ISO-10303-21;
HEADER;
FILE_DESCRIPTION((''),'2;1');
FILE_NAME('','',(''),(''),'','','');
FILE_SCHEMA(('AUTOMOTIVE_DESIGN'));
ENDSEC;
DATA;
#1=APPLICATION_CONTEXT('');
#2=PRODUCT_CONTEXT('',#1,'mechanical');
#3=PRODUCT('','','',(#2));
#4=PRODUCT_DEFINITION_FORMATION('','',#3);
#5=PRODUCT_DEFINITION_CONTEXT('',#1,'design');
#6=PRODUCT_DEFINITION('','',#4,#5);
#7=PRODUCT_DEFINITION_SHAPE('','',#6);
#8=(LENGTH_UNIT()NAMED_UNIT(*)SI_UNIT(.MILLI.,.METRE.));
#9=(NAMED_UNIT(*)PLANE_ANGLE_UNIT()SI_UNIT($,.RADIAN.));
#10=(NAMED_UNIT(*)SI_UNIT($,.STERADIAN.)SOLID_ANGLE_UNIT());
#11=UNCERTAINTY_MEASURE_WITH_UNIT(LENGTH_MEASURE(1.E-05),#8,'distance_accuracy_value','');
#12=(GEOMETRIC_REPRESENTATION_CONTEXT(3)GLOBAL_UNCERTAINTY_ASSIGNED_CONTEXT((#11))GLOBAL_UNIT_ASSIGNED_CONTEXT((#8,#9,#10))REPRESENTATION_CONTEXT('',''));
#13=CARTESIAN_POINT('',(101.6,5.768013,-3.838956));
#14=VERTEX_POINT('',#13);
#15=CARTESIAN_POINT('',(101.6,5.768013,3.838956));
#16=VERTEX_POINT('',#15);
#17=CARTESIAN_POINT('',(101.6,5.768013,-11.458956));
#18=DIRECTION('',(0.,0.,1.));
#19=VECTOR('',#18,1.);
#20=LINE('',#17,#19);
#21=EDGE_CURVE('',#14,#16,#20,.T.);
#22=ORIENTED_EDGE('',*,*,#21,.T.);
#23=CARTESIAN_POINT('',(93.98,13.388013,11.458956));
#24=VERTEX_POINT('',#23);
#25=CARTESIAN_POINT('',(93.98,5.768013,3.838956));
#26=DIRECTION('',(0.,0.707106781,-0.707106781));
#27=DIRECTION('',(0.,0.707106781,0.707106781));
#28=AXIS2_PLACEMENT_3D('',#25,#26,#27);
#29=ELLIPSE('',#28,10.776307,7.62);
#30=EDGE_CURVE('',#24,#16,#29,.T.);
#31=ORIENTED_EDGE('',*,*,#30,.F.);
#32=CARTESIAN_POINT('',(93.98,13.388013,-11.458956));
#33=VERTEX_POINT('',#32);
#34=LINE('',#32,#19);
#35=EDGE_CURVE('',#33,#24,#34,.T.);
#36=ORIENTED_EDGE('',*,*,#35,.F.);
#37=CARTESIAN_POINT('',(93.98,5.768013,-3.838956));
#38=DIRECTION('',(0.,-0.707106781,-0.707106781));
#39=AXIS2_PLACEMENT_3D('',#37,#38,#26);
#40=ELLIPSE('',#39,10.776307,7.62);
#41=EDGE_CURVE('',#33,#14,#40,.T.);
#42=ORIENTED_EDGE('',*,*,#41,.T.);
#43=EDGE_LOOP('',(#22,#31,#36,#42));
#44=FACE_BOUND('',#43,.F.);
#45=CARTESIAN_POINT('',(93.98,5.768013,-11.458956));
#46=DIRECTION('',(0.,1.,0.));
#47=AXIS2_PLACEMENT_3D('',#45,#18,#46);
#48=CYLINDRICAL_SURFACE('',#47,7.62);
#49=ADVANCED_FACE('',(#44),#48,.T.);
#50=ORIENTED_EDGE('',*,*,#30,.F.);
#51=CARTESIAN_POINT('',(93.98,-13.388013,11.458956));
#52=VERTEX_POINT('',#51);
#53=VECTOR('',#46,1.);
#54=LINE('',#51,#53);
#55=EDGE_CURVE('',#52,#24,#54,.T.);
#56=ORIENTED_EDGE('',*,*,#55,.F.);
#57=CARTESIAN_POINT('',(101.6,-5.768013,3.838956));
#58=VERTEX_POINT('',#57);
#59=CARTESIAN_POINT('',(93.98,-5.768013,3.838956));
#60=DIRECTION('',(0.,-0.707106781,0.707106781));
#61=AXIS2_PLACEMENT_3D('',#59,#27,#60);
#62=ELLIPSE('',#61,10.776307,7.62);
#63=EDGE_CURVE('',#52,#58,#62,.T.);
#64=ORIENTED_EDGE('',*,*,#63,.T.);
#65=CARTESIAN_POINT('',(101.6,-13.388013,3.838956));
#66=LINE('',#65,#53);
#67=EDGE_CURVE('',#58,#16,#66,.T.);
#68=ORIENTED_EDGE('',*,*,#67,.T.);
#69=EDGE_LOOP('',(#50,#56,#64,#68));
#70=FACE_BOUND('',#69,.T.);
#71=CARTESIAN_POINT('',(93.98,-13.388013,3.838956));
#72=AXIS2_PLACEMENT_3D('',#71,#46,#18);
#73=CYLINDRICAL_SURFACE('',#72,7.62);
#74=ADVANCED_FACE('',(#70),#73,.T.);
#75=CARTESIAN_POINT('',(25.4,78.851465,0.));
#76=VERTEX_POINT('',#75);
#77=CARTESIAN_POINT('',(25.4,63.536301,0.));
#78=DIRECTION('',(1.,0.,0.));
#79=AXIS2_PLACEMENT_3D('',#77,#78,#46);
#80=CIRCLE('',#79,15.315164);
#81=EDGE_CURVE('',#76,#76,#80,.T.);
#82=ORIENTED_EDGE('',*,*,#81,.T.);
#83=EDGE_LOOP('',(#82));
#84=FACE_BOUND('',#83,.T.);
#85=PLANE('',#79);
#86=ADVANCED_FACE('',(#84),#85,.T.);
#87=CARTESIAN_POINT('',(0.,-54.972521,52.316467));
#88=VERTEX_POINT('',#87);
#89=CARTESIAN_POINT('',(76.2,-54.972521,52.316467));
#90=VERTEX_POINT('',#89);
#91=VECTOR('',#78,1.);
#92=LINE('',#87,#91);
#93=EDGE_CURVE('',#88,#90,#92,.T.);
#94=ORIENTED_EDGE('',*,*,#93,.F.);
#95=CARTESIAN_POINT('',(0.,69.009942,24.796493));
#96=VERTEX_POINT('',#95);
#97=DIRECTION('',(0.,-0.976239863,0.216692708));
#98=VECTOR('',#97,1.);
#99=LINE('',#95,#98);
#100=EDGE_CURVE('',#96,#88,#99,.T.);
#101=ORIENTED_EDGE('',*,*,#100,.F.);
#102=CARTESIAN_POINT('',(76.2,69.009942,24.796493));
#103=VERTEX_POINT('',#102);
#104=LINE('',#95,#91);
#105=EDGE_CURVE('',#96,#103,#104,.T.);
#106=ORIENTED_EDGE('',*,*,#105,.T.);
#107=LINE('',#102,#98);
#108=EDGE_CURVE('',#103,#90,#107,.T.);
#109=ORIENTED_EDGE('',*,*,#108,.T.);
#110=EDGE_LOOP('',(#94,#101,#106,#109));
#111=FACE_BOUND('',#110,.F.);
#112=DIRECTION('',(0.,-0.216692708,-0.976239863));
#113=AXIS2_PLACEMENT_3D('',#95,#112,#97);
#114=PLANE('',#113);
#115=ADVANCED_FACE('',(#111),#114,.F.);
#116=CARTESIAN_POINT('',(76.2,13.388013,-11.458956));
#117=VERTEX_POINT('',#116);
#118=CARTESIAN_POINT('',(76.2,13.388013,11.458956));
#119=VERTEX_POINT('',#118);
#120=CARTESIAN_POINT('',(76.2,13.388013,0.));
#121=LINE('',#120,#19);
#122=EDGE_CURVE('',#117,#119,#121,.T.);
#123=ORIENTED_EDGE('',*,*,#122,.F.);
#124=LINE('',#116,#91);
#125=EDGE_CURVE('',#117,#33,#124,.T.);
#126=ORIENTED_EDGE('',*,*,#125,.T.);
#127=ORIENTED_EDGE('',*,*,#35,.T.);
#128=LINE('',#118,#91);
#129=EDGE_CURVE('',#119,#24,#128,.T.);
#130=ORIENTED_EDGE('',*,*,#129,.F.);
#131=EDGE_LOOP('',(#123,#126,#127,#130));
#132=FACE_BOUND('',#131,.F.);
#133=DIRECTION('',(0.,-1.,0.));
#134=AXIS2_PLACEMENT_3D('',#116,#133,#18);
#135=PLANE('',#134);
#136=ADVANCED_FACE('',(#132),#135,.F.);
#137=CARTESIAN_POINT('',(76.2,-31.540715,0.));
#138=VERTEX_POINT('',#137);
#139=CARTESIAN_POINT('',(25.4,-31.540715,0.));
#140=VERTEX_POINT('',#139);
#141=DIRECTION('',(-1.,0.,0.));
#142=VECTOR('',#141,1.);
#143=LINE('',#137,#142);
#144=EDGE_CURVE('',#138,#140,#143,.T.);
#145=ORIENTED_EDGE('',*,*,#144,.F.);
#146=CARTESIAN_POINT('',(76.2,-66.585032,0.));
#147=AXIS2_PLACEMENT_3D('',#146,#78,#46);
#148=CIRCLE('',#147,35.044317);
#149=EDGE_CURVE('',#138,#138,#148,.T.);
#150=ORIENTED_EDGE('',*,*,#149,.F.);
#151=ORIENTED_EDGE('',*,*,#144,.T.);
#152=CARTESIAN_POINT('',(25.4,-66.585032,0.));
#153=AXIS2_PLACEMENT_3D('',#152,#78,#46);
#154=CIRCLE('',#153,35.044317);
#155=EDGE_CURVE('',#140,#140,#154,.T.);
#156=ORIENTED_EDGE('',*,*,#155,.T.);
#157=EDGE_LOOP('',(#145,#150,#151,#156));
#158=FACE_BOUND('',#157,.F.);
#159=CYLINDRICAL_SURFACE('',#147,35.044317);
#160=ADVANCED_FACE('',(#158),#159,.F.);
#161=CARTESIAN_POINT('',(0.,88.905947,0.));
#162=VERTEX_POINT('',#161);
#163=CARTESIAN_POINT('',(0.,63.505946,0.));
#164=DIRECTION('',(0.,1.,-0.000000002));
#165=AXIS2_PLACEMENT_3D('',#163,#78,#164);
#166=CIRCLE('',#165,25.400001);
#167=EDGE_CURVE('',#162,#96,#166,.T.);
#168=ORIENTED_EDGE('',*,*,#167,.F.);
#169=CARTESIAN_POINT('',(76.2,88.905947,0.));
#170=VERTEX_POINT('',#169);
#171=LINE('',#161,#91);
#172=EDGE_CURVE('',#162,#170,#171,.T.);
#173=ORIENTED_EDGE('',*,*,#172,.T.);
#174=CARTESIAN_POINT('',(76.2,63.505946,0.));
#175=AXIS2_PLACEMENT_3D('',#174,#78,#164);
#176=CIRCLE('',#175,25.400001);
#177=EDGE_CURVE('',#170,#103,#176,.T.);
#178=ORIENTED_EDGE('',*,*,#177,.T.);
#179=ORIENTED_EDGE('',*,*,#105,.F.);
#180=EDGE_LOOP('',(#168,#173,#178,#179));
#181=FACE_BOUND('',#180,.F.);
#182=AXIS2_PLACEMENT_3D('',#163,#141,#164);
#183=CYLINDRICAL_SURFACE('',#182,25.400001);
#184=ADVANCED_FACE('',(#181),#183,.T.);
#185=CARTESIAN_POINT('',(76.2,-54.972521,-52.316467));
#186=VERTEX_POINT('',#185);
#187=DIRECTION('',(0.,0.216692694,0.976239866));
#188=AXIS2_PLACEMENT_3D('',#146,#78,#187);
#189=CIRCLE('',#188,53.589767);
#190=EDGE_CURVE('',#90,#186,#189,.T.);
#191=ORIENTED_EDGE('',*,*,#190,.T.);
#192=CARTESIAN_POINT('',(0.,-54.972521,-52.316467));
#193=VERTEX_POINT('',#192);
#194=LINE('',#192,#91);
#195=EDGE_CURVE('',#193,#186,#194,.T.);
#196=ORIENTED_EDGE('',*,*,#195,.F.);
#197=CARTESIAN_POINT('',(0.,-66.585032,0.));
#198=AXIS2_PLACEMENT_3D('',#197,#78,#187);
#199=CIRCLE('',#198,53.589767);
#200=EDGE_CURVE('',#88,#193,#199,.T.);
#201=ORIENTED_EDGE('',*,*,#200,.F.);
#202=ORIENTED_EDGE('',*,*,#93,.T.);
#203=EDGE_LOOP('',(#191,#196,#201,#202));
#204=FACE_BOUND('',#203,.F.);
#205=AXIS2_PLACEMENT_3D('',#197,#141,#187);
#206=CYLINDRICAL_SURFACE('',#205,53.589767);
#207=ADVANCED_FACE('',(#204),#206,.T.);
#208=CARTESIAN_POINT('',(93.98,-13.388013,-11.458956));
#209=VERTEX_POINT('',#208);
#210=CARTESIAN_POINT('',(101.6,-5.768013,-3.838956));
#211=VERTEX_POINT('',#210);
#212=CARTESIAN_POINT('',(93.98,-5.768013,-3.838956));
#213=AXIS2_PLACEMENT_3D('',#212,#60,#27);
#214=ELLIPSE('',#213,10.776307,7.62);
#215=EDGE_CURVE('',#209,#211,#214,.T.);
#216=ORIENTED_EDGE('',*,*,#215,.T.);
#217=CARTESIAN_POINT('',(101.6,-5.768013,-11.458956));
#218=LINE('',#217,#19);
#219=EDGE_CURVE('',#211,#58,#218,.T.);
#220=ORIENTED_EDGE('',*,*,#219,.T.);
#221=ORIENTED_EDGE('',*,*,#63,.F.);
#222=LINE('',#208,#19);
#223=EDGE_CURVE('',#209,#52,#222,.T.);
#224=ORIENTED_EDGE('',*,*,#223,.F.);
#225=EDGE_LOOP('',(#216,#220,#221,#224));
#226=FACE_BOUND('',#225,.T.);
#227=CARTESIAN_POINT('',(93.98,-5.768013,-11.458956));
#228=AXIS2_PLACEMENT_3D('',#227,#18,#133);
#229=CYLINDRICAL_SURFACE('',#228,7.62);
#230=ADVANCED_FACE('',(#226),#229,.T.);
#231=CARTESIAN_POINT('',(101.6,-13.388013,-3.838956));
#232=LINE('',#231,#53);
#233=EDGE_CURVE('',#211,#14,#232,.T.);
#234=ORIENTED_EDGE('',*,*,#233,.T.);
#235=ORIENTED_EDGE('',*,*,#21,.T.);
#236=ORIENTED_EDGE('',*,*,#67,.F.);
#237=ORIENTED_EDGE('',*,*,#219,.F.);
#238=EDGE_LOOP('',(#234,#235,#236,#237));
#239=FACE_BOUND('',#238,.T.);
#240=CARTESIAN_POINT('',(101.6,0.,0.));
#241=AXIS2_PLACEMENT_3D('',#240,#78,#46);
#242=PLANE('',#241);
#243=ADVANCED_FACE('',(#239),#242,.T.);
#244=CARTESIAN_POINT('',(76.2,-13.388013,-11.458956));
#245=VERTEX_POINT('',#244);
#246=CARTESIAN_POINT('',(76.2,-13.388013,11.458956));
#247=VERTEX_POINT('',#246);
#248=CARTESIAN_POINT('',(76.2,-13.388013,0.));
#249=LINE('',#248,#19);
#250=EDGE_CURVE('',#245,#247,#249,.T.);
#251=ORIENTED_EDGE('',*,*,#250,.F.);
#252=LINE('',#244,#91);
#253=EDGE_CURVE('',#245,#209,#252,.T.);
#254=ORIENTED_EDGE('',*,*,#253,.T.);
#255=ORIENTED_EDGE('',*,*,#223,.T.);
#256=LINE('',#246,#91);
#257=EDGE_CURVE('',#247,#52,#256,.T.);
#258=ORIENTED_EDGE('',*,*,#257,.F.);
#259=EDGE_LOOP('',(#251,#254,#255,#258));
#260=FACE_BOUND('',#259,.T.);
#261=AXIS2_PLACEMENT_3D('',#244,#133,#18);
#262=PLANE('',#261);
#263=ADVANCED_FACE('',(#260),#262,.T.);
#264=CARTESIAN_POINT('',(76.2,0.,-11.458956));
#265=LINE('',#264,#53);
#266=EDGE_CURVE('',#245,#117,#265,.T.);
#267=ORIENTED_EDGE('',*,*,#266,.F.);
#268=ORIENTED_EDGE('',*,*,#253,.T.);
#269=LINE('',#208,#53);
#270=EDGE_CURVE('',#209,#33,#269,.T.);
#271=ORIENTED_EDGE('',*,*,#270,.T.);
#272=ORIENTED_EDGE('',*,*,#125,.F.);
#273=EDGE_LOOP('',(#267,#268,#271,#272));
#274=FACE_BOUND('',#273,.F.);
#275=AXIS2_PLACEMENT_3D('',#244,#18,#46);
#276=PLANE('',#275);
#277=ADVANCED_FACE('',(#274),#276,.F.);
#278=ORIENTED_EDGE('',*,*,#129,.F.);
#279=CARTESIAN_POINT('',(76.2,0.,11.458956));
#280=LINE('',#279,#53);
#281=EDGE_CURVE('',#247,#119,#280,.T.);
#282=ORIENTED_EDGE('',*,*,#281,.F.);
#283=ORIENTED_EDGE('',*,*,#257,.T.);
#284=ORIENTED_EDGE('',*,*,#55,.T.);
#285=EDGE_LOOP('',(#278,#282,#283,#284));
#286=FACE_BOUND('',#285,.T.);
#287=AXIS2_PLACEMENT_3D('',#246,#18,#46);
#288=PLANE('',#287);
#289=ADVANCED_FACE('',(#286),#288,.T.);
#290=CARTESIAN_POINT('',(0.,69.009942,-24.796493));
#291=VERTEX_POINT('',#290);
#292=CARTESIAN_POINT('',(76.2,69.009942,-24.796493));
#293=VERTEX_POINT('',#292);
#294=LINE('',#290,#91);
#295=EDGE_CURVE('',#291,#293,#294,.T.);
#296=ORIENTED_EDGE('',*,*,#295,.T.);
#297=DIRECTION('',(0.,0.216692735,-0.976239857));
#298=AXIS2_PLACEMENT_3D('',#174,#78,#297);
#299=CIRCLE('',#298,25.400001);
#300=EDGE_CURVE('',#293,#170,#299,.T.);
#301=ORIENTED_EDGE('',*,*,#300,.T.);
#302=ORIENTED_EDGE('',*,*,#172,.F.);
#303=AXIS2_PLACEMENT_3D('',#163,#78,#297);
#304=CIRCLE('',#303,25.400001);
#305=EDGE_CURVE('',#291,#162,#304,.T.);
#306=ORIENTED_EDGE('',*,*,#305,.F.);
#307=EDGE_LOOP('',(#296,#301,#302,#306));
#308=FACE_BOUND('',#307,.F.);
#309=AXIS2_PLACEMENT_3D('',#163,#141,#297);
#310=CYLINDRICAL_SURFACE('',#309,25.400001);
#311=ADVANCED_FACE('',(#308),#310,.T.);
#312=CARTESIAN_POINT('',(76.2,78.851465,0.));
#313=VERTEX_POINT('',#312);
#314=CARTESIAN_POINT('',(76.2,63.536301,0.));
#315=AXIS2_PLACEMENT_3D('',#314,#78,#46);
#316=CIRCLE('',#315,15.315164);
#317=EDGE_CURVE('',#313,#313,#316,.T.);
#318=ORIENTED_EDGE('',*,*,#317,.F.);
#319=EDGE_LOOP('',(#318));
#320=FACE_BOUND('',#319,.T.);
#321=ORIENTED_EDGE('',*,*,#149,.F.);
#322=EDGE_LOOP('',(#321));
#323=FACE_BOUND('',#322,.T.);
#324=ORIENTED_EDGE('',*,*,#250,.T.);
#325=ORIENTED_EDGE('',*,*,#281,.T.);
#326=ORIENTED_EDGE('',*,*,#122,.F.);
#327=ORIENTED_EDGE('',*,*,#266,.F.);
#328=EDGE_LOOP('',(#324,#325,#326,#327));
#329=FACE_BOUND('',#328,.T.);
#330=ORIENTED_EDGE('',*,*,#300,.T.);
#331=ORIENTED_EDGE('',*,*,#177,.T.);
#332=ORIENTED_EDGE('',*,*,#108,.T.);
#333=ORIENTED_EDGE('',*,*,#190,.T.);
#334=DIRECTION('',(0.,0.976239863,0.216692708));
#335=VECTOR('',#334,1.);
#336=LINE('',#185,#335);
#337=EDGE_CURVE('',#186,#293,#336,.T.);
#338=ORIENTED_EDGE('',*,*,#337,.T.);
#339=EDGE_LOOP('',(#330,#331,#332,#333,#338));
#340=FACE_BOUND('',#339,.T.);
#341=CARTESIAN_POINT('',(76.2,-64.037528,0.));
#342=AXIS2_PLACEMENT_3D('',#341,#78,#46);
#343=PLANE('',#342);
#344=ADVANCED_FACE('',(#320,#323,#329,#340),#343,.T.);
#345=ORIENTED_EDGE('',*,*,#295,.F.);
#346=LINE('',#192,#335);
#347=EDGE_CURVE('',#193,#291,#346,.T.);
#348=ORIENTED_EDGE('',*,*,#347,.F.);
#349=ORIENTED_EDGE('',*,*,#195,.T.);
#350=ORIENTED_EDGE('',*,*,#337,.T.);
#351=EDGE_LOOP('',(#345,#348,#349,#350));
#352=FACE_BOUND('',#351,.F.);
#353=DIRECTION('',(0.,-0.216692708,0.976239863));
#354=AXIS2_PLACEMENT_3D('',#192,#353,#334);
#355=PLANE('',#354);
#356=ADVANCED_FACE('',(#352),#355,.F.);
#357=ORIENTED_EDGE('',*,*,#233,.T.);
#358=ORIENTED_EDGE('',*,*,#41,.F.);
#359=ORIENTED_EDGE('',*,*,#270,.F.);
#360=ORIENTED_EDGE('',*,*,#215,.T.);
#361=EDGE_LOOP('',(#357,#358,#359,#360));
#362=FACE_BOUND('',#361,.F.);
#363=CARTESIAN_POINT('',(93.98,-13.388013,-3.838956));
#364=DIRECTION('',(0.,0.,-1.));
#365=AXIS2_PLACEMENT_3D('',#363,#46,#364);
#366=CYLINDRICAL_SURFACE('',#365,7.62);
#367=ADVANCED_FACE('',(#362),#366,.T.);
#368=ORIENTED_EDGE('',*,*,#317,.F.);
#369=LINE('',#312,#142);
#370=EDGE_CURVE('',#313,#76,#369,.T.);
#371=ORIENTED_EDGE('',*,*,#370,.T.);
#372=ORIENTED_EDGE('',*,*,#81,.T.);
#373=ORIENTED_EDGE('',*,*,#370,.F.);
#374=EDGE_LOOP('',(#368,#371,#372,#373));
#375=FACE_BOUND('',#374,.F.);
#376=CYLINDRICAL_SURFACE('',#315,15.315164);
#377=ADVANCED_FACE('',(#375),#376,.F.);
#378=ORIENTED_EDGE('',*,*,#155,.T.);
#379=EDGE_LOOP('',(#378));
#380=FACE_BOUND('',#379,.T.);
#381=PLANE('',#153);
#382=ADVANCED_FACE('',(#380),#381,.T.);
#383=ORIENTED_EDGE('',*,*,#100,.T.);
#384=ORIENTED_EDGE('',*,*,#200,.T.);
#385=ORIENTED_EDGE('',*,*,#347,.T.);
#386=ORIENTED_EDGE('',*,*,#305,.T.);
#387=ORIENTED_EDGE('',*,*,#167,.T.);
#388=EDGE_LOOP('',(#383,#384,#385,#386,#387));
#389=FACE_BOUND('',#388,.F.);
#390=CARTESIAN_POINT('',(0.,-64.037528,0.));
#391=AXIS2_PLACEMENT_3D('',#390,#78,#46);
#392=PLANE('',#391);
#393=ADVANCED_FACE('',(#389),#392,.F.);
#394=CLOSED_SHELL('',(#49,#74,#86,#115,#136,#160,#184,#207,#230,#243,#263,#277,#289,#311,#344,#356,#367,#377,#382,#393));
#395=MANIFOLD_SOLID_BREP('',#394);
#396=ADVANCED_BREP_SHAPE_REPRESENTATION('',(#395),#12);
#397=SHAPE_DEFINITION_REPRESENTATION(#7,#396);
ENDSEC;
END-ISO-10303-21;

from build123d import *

# Parameters (mm, degrees)
F1_DEPTH = 76.2
F2_R     = 35.044317
F3_DEPTH = 50.8
F4_R     = 15.315164
F5_DEPTH = 50.8
F6_W     = 26.776026
F6_H     = 22.917912
F7_DEPTH = 25.4
F8_R     = 7.62


with BuildPart() as f1:
    # F0 (on Right) → F1 (new body)
    with BuildSketch(Plane.YZ):
        with BuildLine():
            ThreePointArc((-54.972521, -52.316467), (-24.786857, -33.537675), (-12.995266, 0))
            ThreePointArc((-12.995266, 0), (-24.786857, 33.537675), (-54.972521, 52.316467))
            ThreePointArc((-54.972521, 52.316467), (-120.174799, 0), (-54.972521, -52.316467))
        make_face()
        with BuildLine():
            ThreePointArc((-54.972521, 52.316467), (-24.786857, 33.537675), (-12.995266, 0))
            ThreePointArc((-12.995266, 0), (-24.786857, -33.537675), (-54.972521, -52.316467))
            Line((-54.972521, -52.316467), (69.009942, -24.796493))
            ThreePointArc((69.009942, -24.796493), (38.105947, 0), (69.009942, 24.796493))
            Line((69.009942, 24.796493), (-54.972521, 52.316467))
        make_face()
        with BuildLine():
            ThreePointArc((88.905947, 0), (83.317074, 15.895888), (69.009942, 24.796493))
            ThreePointArc((69.009942, 24.796493), (38.105947, 0), (69.009942, -24.796493))
            ThreePointArc((69.009942, -24.796493), (83.317074, -15.895888), (88.905947, 0))
        make_face()
    extrude(amount=F1_DEPTH)

    # F2 (on face) → F3 (cut)
    with BuildSketch(Plane.YZ.offset(76.2)):
        with Locations((-66.585032, 0)):
            Circle(F2_R)
    extrude(amount=-F3_DEPTH, mode=Mode.SUBTRACT)

    # F4 (on face) → F5 (cut)
    with BuildSketch(Plane.YZ.offset(76.2)):
        with Locations((63.536301, 0)):
            Circle(F4_R)
    extrude(amount=-F5_DEPTH, mode=Mode.SUBTRACT)

    # F6 (on face) → F7 (join)
    with BuildSketch(Plane.YZ.offset(76.2)):
        Rectangle(F6_W, F6_H)
    extrude(amount=F7_DEPTH)

    # F8
    f8_edges = [f1.edges().sort_by_distance(p)[0] for p in [
        (101.6, -13.388013, 0),
        (101.6, 0, -11.458956),
        (101.6, 13.388013, 0),
        (101.6, 0, 11.458956),
    ]]
    fillet(f8_edges, radius=F8_R)


solid = f1.part
